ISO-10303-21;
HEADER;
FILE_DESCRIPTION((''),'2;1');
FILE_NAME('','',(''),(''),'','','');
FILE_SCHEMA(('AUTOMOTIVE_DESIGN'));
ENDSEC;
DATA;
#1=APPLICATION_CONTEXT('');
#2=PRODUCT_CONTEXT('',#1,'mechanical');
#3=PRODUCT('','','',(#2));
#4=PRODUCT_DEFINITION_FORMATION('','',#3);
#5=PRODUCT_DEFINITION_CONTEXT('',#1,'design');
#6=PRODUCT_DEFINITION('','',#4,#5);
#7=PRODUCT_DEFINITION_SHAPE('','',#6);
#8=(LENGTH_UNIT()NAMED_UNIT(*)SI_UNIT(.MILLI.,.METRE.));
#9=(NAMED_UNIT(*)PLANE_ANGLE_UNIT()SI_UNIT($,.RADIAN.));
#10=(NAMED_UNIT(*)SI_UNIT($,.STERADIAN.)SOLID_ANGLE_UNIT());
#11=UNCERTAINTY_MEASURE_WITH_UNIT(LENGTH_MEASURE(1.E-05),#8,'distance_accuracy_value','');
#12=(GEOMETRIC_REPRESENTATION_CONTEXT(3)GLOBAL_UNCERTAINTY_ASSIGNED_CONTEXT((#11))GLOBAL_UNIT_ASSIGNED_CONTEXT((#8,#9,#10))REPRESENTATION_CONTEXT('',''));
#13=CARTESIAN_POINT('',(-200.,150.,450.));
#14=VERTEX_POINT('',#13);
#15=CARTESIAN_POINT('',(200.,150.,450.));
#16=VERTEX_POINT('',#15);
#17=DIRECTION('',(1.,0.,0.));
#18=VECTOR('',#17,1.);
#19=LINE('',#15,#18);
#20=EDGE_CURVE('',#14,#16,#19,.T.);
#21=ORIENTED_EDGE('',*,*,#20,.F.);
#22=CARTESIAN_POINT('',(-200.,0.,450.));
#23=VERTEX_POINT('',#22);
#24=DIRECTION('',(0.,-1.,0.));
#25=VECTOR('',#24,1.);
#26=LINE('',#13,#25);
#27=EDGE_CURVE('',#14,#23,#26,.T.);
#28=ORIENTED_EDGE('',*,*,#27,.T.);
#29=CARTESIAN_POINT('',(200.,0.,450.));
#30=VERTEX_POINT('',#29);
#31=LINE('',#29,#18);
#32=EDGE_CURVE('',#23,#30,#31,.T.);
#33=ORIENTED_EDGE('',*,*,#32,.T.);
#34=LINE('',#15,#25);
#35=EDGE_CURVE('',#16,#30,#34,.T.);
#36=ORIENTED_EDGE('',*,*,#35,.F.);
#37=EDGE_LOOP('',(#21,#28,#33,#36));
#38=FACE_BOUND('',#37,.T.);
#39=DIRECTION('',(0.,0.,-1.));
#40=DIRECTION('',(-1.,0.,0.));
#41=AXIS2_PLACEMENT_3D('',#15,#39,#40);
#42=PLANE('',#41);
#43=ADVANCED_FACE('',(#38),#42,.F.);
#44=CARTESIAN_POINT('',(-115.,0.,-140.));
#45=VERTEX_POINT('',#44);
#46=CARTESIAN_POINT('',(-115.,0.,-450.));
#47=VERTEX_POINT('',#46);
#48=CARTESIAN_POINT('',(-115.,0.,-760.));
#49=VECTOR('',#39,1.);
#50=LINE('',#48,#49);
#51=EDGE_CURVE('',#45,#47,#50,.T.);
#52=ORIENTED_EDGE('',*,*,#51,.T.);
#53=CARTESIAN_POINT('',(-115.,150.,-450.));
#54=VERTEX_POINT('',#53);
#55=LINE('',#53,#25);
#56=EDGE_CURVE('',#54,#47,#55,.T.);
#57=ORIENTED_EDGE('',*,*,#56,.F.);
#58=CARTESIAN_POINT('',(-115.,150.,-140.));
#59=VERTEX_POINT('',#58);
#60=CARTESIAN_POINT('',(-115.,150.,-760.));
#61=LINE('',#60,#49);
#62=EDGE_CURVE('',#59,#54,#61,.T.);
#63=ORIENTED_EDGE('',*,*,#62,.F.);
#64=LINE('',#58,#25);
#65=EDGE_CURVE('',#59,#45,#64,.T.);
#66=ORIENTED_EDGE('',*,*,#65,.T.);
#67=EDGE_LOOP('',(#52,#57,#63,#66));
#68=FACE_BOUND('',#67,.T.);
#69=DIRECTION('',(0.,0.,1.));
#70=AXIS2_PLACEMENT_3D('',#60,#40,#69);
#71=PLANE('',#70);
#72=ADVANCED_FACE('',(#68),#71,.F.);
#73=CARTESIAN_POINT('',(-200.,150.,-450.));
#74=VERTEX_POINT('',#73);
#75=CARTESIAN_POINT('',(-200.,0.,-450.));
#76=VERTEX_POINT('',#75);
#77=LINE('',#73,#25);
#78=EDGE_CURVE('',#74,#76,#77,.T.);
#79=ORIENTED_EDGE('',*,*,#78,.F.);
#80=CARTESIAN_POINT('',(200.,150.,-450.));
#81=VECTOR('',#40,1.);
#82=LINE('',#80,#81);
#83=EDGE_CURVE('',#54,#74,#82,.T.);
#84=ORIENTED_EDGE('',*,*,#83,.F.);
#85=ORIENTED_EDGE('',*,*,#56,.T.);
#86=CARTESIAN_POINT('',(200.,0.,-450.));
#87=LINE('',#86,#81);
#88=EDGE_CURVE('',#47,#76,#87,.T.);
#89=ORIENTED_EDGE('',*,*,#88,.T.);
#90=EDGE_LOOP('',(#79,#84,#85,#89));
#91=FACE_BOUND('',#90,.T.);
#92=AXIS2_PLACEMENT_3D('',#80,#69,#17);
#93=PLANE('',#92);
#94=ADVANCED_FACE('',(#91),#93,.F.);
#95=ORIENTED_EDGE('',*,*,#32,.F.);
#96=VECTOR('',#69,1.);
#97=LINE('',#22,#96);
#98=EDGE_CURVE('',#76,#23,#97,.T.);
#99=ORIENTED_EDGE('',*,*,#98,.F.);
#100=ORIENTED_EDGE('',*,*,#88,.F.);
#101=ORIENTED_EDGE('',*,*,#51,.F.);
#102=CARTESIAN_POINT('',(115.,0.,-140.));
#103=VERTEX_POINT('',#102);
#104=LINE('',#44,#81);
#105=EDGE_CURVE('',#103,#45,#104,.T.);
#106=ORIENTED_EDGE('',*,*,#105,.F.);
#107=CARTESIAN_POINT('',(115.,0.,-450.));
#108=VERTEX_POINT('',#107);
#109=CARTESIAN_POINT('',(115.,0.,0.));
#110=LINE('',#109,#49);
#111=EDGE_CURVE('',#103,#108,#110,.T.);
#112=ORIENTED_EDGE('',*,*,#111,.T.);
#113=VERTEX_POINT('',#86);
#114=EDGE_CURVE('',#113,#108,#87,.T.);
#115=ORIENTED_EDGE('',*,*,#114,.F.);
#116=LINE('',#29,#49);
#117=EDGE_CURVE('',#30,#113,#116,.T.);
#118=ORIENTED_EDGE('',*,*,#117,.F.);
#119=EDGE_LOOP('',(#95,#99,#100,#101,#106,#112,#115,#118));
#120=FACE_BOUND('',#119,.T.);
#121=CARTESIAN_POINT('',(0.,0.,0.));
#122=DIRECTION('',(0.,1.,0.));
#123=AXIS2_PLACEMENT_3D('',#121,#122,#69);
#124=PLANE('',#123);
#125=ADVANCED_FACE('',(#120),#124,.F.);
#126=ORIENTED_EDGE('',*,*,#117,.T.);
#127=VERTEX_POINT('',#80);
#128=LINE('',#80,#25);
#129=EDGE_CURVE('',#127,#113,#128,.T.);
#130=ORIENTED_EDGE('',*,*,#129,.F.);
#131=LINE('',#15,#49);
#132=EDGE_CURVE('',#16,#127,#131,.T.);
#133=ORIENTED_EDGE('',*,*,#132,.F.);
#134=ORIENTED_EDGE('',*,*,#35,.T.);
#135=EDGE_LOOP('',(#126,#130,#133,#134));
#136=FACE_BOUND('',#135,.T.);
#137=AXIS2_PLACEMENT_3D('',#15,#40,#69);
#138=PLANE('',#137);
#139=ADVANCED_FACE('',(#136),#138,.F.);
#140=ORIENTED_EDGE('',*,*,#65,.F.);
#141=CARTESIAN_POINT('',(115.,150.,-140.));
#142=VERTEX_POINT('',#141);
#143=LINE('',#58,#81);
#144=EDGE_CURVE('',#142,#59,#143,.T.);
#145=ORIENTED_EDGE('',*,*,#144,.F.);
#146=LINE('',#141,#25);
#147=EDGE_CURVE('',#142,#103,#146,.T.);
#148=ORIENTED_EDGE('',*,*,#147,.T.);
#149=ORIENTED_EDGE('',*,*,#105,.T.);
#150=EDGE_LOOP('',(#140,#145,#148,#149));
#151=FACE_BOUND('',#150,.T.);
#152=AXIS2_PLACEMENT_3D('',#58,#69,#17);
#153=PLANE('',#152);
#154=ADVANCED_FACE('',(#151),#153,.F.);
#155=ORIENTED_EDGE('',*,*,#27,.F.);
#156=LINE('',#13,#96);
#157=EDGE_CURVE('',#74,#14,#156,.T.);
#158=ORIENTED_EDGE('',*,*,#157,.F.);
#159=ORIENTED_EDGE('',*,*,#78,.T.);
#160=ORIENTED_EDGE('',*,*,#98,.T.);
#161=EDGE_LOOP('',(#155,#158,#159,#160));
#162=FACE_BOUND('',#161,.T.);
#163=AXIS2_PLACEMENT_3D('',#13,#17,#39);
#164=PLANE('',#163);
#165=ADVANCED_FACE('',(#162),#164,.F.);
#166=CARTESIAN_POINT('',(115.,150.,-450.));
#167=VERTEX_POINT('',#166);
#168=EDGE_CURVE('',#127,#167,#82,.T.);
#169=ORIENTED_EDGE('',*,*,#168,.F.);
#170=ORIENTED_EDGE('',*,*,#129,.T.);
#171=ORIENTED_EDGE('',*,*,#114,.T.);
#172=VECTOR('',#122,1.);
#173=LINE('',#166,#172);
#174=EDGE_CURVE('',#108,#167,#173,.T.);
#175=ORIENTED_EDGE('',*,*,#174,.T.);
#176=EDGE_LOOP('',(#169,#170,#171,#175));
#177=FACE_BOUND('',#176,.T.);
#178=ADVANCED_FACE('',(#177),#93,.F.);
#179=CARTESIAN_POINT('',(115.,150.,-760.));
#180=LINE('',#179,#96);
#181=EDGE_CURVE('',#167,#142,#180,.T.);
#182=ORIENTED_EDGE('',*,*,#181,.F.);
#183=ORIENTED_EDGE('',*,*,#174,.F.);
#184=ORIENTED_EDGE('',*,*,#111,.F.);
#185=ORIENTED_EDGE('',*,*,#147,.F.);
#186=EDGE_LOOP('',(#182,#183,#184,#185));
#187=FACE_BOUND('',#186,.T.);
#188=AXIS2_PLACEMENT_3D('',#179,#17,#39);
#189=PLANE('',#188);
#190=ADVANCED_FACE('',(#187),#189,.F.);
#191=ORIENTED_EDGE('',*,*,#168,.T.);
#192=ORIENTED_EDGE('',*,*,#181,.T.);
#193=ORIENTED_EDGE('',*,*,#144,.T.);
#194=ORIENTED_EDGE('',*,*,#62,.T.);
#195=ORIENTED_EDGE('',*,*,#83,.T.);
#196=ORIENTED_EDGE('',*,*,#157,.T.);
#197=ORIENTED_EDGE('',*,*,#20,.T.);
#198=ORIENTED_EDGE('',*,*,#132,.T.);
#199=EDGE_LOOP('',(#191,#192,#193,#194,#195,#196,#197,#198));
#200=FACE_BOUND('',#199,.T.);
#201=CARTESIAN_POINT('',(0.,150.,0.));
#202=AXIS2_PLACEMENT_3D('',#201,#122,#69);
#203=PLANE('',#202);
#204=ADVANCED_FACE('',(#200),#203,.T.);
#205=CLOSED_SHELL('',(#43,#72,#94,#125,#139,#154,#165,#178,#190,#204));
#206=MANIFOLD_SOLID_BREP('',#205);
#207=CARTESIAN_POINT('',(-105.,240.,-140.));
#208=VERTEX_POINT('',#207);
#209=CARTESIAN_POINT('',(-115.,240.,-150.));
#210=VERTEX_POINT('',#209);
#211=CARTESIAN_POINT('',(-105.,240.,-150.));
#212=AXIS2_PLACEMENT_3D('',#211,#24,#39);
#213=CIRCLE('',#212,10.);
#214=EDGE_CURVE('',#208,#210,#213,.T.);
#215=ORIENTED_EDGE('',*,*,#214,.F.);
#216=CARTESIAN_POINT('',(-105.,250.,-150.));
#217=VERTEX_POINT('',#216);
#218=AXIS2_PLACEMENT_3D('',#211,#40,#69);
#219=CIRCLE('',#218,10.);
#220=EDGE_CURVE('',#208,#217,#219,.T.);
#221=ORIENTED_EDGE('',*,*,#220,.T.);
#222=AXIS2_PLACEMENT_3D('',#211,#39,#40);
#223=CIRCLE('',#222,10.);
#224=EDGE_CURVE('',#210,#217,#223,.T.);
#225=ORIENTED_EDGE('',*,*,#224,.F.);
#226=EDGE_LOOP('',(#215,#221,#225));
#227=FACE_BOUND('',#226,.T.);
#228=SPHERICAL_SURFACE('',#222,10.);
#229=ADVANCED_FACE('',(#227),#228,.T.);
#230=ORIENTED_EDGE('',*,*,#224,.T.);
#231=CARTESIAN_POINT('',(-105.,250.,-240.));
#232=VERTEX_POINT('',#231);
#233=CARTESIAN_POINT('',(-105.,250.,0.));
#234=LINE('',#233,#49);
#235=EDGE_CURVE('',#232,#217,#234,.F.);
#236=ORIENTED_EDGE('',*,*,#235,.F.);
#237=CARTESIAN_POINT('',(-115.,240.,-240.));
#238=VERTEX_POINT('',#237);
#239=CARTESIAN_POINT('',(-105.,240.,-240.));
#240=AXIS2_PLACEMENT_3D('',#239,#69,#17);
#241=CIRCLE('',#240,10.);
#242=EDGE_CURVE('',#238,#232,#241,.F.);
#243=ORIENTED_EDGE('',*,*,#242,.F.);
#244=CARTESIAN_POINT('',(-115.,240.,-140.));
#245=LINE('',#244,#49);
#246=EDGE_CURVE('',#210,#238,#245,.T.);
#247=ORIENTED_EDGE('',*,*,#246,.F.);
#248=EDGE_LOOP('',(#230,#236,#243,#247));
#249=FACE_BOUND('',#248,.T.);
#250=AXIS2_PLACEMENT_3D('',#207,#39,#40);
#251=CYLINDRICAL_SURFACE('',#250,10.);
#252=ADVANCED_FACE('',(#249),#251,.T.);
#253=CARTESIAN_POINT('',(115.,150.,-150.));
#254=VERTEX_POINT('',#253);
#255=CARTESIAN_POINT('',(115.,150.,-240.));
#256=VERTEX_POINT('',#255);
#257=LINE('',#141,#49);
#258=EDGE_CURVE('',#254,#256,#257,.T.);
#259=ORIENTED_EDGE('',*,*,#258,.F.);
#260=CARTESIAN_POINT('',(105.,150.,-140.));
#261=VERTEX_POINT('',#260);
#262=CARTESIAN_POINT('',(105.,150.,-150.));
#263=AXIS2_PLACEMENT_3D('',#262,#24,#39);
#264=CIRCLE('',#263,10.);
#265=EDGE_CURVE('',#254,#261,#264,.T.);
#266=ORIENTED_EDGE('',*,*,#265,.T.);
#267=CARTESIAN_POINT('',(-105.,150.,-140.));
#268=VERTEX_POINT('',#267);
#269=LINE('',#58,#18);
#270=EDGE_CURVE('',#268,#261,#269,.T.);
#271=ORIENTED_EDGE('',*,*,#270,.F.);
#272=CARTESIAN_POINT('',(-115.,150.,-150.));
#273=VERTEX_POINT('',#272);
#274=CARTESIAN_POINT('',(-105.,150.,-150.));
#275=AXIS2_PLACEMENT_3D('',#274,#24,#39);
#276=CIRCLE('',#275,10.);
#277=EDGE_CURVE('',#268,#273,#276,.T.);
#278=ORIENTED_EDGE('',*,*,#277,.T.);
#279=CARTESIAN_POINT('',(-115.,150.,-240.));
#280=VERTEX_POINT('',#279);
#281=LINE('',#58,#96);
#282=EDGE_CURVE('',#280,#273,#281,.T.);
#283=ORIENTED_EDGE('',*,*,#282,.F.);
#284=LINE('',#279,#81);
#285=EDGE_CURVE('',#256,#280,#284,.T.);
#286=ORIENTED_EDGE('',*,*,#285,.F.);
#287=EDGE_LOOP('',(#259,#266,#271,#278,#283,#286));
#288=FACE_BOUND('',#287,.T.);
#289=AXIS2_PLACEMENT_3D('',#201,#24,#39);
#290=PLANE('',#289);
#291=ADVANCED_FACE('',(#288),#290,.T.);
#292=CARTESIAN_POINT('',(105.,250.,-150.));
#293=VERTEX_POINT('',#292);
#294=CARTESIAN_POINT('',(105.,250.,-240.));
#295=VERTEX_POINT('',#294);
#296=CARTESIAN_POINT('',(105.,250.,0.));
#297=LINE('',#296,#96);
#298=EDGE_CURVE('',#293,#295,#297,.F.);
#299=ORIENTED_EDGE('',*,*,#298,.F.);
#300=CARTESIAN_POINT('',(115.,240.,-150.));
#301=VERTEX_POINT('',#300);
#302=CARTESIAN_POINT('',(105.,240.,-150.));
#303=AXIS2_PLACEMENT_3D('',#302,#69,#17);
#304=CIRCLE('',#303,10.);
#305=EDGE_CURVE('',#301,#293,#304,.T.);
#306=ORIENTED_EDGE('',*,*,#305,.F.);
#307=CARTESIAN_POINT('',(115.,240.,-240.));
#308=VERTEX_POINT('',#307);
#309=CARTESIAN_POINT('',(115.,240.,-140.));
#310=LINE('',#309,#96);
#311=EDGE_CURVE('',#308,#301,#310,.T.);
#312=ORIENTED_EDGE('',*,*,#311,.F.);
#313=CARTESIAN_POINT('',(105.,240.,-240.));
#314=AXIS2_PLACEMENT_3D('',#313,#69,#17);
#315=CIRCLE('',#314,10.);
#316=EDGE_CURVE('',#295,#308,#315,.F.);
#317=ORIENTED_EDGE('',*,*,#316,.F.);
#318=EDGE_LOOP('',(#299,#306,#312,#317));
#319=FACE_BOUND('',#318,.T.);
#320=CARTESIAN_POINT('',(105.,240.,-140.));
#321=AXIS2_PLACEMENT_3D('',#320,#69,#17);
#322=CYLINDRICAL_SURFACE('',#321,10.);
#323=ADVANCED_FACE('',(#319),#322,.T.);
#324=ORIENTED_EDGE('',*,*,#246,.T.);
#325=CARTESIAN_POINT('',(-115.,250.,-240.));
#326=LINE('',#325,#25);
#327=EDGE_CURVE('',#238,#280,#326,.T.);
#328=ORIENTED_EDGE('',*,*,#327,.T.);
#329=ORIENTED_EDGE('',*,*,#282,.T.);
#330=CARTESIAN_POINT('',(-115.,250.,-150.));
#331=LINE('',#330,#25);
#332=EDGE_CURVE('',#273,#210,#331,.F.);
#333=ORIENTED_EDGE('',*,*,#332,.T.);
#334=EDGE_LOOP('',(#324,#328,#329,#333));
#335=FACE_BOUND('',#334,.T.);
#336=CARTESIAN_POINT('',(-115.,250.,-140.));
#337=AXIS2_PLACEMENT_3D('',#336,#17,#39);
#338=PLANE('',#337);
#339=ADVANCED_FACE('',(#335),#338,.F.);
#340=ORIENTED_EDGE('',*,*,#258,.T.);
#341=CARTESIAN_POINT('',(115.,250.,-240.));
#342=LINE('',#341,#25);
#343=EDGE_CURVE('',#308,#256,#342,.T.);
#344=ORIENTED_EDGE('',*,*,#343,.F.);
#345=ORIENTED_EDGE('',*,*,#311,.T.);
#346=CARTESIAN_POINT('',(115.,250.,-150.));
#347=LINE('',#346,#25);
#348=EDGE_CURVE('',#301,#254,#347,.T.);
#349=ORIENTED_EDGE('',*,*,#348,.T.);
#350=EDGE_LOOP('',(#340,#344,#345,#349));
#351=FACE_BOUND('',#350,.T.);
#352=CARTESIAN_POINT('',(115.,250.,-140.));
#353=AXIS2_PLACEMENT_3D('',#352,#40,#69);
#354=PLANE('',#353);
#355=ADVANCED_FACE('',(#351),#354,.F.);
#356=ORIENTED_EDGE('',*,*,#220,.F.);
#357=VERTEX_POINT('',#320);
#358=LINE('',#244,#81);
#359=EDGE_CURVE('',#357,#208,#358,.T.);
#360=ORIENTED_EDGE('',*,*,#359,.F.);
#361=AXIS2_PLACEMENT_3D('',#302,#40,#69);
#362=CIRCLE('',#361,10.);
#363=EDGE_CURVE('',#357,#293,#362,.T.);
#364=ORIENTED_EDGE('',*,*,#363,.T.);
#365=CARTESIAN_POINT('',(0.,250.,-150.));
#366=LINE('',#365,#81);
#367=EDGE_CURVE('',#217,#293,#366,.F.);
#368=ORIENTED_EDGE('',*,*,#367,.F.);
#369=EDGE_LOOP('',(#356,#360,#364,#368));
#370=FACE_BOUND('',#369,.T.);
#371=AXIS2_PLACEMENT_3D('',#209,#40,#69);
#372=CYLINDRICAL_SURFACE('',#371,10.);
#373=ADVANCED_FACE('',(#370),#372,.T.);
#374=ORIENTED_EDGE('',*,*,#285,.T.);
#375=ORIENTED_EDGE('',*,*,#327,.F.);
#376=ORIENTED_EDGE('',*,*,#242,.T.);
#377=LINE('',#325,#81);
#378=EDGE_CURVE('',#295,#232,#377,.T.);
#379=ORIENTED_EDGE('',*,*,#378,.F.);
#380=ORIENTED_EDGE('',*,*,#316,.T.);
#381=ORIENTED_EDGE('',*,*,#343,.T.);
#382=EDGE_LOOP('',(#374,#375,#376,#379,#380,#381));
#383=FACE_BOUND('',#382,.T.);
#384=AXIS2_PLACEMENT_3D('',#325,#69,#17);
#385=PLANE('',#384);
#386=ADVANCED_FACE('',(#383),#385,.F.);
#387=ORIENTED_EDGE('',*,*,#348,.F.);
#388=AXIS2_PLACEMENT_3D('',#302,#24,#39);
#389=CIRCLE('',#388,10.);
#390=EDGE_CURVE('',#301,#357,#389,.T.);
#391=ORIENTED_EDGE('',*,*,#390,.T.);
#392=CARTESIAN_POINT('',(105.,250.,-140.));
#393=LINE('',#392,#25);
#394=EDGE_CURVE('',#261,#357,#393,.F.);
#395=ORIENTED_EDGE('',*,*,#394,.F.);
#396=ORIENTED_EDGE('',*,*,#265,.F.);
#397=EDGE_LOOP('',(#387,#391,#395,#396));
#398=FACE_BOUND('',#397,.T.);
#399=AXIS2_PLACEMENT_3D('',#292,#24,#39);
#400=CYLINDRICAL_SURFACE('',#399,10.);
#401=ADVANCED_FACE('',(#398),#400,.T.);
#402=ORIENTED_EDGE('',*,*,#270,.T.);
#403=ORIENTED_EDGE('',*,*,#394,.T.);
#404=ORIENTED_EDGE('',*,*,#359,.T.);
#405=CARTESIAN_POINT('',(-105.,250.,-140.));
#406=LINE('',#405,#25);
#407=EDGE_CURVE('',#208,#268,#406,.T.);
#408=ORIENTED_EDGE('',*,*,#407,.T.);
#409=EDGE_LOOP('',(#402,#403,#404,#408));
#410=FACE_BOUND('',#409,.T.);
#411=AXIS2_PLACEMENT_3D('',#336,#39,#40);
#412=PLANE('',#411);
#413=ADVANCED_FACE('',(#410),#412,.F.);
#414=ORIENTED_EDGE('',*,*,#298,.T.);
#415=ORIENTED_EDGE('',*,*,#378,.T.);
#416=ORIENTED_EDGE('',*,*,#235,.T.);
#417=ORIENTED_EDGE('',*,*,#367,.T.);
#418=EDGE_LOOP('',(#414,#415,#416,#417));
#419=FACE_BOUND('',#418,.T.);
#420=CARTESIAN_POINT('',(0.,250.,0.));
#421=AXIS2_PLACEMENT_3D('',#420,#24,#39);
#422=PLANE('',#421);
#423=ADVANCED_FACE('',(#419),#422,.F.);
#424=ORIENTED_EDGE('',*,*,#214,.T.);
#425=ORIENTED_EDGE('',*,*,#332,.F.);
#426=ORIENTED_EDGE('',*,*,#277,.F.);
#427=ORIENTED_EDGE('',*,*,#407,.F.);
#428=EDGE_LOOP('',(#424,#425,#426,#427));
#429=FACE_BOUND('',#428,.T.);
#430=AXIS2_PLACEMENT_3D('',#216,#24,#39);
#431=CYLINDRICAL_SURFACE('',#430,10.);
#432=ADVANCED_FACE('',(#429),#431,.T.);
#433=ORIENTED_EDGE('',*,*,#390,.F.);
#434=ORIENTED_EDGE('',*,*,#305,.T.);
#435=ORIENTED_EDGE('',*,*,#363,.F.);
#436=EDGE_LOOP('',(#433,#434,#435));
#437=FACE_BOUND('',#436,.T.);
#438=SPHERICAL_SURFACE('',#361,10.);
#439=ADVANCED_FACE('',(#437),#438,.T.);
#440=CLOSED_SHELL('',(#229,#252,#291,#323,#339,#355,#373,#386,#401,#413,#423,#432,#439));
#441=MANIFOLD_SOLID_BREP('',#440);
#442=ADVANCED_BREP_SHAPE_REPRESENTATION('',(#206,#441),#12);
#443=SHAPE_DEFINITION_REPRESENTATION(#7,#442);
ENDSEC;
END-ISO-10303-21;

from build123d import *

# Parameters (mm, degrees)
CROQUIS2_W              = 400
CROQUIS2_H              = 900
SALIENTE_EXTRUIR1_DEPTH = 150
CROQUIS3_W              = 230
CROQUIS3_H              = 620
CORTAR_EXTRUIR1_DEPTH   = 150
CROQUIS9_W              = 230
CROQUIS9_H              = 100
SALIENTE_EXTRUIR6_DEPTH = 100
REDONDEO1_R             = 10
REDONDEO2_R             = 10
REDONDEO3_R             = 10


with BuildPart() as part:
    # Croquis2 → Saliente-Extruir1 (new body)
    with BuildSketch(Plane(origin=(0, 0, 0), x_dir=(1, 0, 0), z_dir=(0, 1, 0))):
        Rectangle(CROQUIS2_W, CROQUIS2_H)
    extrude(amount=SALIENTE_EXTRUIR1_DEPTH)

    # Croquis3 → Cortar-Extruir1 (cut)
    with BuildSketch(Plane.XZ):
        with Locations((0, -450)):
            Rectangle(CROQUIS3_W, CROQUIS3_H)
    extrude(amount=-CORTAR_EXTRUIR1_DEPTH, mode=Mode.SUBTRACT)


with BuildPart() as body_2:
    # Croquis9 → Saliente-Extruir6 (new body)
    with BuildSketch(Plane(origin=(0, 150, 0), x_dir=(1, 0, 0), z_dir=(0, 1, 0))):
        with Locations((0, 190)):
            Rectangle(CROQUIS9_W, CROQUIS9_H)
    extrude(amount=SALIENTE_EXTRUIR6_DEPTH)

    # Redondeo1
    redondeo1_edges = [body_2.edges().sort_by_distance(p)[0] for p in [
        (-115, 250, -190),
    ]]
    fillet(redondeo1_edges, radius=REDONDEO1_R)

    # Redondeo2
    redondeo2_edges = [body_2.edges().sort_by_distance(p)[0] for p in [
        (-115, 195, -140),
        (5, 250, -140),
    ]]
    fillet(redondeo2_edges, radius=REDONDEO2_R)

    # Redondeo3
    redondeo3_edges = [body_2.edges().sort_by_distance(p)[0] for p in [
        (115, 195, -140),
        (115, 250, -195),
    ]]
    fillet(redondeo3_edges, radius=REDONDEO3_R)


solid = Compound([part.part, body_2.part])
